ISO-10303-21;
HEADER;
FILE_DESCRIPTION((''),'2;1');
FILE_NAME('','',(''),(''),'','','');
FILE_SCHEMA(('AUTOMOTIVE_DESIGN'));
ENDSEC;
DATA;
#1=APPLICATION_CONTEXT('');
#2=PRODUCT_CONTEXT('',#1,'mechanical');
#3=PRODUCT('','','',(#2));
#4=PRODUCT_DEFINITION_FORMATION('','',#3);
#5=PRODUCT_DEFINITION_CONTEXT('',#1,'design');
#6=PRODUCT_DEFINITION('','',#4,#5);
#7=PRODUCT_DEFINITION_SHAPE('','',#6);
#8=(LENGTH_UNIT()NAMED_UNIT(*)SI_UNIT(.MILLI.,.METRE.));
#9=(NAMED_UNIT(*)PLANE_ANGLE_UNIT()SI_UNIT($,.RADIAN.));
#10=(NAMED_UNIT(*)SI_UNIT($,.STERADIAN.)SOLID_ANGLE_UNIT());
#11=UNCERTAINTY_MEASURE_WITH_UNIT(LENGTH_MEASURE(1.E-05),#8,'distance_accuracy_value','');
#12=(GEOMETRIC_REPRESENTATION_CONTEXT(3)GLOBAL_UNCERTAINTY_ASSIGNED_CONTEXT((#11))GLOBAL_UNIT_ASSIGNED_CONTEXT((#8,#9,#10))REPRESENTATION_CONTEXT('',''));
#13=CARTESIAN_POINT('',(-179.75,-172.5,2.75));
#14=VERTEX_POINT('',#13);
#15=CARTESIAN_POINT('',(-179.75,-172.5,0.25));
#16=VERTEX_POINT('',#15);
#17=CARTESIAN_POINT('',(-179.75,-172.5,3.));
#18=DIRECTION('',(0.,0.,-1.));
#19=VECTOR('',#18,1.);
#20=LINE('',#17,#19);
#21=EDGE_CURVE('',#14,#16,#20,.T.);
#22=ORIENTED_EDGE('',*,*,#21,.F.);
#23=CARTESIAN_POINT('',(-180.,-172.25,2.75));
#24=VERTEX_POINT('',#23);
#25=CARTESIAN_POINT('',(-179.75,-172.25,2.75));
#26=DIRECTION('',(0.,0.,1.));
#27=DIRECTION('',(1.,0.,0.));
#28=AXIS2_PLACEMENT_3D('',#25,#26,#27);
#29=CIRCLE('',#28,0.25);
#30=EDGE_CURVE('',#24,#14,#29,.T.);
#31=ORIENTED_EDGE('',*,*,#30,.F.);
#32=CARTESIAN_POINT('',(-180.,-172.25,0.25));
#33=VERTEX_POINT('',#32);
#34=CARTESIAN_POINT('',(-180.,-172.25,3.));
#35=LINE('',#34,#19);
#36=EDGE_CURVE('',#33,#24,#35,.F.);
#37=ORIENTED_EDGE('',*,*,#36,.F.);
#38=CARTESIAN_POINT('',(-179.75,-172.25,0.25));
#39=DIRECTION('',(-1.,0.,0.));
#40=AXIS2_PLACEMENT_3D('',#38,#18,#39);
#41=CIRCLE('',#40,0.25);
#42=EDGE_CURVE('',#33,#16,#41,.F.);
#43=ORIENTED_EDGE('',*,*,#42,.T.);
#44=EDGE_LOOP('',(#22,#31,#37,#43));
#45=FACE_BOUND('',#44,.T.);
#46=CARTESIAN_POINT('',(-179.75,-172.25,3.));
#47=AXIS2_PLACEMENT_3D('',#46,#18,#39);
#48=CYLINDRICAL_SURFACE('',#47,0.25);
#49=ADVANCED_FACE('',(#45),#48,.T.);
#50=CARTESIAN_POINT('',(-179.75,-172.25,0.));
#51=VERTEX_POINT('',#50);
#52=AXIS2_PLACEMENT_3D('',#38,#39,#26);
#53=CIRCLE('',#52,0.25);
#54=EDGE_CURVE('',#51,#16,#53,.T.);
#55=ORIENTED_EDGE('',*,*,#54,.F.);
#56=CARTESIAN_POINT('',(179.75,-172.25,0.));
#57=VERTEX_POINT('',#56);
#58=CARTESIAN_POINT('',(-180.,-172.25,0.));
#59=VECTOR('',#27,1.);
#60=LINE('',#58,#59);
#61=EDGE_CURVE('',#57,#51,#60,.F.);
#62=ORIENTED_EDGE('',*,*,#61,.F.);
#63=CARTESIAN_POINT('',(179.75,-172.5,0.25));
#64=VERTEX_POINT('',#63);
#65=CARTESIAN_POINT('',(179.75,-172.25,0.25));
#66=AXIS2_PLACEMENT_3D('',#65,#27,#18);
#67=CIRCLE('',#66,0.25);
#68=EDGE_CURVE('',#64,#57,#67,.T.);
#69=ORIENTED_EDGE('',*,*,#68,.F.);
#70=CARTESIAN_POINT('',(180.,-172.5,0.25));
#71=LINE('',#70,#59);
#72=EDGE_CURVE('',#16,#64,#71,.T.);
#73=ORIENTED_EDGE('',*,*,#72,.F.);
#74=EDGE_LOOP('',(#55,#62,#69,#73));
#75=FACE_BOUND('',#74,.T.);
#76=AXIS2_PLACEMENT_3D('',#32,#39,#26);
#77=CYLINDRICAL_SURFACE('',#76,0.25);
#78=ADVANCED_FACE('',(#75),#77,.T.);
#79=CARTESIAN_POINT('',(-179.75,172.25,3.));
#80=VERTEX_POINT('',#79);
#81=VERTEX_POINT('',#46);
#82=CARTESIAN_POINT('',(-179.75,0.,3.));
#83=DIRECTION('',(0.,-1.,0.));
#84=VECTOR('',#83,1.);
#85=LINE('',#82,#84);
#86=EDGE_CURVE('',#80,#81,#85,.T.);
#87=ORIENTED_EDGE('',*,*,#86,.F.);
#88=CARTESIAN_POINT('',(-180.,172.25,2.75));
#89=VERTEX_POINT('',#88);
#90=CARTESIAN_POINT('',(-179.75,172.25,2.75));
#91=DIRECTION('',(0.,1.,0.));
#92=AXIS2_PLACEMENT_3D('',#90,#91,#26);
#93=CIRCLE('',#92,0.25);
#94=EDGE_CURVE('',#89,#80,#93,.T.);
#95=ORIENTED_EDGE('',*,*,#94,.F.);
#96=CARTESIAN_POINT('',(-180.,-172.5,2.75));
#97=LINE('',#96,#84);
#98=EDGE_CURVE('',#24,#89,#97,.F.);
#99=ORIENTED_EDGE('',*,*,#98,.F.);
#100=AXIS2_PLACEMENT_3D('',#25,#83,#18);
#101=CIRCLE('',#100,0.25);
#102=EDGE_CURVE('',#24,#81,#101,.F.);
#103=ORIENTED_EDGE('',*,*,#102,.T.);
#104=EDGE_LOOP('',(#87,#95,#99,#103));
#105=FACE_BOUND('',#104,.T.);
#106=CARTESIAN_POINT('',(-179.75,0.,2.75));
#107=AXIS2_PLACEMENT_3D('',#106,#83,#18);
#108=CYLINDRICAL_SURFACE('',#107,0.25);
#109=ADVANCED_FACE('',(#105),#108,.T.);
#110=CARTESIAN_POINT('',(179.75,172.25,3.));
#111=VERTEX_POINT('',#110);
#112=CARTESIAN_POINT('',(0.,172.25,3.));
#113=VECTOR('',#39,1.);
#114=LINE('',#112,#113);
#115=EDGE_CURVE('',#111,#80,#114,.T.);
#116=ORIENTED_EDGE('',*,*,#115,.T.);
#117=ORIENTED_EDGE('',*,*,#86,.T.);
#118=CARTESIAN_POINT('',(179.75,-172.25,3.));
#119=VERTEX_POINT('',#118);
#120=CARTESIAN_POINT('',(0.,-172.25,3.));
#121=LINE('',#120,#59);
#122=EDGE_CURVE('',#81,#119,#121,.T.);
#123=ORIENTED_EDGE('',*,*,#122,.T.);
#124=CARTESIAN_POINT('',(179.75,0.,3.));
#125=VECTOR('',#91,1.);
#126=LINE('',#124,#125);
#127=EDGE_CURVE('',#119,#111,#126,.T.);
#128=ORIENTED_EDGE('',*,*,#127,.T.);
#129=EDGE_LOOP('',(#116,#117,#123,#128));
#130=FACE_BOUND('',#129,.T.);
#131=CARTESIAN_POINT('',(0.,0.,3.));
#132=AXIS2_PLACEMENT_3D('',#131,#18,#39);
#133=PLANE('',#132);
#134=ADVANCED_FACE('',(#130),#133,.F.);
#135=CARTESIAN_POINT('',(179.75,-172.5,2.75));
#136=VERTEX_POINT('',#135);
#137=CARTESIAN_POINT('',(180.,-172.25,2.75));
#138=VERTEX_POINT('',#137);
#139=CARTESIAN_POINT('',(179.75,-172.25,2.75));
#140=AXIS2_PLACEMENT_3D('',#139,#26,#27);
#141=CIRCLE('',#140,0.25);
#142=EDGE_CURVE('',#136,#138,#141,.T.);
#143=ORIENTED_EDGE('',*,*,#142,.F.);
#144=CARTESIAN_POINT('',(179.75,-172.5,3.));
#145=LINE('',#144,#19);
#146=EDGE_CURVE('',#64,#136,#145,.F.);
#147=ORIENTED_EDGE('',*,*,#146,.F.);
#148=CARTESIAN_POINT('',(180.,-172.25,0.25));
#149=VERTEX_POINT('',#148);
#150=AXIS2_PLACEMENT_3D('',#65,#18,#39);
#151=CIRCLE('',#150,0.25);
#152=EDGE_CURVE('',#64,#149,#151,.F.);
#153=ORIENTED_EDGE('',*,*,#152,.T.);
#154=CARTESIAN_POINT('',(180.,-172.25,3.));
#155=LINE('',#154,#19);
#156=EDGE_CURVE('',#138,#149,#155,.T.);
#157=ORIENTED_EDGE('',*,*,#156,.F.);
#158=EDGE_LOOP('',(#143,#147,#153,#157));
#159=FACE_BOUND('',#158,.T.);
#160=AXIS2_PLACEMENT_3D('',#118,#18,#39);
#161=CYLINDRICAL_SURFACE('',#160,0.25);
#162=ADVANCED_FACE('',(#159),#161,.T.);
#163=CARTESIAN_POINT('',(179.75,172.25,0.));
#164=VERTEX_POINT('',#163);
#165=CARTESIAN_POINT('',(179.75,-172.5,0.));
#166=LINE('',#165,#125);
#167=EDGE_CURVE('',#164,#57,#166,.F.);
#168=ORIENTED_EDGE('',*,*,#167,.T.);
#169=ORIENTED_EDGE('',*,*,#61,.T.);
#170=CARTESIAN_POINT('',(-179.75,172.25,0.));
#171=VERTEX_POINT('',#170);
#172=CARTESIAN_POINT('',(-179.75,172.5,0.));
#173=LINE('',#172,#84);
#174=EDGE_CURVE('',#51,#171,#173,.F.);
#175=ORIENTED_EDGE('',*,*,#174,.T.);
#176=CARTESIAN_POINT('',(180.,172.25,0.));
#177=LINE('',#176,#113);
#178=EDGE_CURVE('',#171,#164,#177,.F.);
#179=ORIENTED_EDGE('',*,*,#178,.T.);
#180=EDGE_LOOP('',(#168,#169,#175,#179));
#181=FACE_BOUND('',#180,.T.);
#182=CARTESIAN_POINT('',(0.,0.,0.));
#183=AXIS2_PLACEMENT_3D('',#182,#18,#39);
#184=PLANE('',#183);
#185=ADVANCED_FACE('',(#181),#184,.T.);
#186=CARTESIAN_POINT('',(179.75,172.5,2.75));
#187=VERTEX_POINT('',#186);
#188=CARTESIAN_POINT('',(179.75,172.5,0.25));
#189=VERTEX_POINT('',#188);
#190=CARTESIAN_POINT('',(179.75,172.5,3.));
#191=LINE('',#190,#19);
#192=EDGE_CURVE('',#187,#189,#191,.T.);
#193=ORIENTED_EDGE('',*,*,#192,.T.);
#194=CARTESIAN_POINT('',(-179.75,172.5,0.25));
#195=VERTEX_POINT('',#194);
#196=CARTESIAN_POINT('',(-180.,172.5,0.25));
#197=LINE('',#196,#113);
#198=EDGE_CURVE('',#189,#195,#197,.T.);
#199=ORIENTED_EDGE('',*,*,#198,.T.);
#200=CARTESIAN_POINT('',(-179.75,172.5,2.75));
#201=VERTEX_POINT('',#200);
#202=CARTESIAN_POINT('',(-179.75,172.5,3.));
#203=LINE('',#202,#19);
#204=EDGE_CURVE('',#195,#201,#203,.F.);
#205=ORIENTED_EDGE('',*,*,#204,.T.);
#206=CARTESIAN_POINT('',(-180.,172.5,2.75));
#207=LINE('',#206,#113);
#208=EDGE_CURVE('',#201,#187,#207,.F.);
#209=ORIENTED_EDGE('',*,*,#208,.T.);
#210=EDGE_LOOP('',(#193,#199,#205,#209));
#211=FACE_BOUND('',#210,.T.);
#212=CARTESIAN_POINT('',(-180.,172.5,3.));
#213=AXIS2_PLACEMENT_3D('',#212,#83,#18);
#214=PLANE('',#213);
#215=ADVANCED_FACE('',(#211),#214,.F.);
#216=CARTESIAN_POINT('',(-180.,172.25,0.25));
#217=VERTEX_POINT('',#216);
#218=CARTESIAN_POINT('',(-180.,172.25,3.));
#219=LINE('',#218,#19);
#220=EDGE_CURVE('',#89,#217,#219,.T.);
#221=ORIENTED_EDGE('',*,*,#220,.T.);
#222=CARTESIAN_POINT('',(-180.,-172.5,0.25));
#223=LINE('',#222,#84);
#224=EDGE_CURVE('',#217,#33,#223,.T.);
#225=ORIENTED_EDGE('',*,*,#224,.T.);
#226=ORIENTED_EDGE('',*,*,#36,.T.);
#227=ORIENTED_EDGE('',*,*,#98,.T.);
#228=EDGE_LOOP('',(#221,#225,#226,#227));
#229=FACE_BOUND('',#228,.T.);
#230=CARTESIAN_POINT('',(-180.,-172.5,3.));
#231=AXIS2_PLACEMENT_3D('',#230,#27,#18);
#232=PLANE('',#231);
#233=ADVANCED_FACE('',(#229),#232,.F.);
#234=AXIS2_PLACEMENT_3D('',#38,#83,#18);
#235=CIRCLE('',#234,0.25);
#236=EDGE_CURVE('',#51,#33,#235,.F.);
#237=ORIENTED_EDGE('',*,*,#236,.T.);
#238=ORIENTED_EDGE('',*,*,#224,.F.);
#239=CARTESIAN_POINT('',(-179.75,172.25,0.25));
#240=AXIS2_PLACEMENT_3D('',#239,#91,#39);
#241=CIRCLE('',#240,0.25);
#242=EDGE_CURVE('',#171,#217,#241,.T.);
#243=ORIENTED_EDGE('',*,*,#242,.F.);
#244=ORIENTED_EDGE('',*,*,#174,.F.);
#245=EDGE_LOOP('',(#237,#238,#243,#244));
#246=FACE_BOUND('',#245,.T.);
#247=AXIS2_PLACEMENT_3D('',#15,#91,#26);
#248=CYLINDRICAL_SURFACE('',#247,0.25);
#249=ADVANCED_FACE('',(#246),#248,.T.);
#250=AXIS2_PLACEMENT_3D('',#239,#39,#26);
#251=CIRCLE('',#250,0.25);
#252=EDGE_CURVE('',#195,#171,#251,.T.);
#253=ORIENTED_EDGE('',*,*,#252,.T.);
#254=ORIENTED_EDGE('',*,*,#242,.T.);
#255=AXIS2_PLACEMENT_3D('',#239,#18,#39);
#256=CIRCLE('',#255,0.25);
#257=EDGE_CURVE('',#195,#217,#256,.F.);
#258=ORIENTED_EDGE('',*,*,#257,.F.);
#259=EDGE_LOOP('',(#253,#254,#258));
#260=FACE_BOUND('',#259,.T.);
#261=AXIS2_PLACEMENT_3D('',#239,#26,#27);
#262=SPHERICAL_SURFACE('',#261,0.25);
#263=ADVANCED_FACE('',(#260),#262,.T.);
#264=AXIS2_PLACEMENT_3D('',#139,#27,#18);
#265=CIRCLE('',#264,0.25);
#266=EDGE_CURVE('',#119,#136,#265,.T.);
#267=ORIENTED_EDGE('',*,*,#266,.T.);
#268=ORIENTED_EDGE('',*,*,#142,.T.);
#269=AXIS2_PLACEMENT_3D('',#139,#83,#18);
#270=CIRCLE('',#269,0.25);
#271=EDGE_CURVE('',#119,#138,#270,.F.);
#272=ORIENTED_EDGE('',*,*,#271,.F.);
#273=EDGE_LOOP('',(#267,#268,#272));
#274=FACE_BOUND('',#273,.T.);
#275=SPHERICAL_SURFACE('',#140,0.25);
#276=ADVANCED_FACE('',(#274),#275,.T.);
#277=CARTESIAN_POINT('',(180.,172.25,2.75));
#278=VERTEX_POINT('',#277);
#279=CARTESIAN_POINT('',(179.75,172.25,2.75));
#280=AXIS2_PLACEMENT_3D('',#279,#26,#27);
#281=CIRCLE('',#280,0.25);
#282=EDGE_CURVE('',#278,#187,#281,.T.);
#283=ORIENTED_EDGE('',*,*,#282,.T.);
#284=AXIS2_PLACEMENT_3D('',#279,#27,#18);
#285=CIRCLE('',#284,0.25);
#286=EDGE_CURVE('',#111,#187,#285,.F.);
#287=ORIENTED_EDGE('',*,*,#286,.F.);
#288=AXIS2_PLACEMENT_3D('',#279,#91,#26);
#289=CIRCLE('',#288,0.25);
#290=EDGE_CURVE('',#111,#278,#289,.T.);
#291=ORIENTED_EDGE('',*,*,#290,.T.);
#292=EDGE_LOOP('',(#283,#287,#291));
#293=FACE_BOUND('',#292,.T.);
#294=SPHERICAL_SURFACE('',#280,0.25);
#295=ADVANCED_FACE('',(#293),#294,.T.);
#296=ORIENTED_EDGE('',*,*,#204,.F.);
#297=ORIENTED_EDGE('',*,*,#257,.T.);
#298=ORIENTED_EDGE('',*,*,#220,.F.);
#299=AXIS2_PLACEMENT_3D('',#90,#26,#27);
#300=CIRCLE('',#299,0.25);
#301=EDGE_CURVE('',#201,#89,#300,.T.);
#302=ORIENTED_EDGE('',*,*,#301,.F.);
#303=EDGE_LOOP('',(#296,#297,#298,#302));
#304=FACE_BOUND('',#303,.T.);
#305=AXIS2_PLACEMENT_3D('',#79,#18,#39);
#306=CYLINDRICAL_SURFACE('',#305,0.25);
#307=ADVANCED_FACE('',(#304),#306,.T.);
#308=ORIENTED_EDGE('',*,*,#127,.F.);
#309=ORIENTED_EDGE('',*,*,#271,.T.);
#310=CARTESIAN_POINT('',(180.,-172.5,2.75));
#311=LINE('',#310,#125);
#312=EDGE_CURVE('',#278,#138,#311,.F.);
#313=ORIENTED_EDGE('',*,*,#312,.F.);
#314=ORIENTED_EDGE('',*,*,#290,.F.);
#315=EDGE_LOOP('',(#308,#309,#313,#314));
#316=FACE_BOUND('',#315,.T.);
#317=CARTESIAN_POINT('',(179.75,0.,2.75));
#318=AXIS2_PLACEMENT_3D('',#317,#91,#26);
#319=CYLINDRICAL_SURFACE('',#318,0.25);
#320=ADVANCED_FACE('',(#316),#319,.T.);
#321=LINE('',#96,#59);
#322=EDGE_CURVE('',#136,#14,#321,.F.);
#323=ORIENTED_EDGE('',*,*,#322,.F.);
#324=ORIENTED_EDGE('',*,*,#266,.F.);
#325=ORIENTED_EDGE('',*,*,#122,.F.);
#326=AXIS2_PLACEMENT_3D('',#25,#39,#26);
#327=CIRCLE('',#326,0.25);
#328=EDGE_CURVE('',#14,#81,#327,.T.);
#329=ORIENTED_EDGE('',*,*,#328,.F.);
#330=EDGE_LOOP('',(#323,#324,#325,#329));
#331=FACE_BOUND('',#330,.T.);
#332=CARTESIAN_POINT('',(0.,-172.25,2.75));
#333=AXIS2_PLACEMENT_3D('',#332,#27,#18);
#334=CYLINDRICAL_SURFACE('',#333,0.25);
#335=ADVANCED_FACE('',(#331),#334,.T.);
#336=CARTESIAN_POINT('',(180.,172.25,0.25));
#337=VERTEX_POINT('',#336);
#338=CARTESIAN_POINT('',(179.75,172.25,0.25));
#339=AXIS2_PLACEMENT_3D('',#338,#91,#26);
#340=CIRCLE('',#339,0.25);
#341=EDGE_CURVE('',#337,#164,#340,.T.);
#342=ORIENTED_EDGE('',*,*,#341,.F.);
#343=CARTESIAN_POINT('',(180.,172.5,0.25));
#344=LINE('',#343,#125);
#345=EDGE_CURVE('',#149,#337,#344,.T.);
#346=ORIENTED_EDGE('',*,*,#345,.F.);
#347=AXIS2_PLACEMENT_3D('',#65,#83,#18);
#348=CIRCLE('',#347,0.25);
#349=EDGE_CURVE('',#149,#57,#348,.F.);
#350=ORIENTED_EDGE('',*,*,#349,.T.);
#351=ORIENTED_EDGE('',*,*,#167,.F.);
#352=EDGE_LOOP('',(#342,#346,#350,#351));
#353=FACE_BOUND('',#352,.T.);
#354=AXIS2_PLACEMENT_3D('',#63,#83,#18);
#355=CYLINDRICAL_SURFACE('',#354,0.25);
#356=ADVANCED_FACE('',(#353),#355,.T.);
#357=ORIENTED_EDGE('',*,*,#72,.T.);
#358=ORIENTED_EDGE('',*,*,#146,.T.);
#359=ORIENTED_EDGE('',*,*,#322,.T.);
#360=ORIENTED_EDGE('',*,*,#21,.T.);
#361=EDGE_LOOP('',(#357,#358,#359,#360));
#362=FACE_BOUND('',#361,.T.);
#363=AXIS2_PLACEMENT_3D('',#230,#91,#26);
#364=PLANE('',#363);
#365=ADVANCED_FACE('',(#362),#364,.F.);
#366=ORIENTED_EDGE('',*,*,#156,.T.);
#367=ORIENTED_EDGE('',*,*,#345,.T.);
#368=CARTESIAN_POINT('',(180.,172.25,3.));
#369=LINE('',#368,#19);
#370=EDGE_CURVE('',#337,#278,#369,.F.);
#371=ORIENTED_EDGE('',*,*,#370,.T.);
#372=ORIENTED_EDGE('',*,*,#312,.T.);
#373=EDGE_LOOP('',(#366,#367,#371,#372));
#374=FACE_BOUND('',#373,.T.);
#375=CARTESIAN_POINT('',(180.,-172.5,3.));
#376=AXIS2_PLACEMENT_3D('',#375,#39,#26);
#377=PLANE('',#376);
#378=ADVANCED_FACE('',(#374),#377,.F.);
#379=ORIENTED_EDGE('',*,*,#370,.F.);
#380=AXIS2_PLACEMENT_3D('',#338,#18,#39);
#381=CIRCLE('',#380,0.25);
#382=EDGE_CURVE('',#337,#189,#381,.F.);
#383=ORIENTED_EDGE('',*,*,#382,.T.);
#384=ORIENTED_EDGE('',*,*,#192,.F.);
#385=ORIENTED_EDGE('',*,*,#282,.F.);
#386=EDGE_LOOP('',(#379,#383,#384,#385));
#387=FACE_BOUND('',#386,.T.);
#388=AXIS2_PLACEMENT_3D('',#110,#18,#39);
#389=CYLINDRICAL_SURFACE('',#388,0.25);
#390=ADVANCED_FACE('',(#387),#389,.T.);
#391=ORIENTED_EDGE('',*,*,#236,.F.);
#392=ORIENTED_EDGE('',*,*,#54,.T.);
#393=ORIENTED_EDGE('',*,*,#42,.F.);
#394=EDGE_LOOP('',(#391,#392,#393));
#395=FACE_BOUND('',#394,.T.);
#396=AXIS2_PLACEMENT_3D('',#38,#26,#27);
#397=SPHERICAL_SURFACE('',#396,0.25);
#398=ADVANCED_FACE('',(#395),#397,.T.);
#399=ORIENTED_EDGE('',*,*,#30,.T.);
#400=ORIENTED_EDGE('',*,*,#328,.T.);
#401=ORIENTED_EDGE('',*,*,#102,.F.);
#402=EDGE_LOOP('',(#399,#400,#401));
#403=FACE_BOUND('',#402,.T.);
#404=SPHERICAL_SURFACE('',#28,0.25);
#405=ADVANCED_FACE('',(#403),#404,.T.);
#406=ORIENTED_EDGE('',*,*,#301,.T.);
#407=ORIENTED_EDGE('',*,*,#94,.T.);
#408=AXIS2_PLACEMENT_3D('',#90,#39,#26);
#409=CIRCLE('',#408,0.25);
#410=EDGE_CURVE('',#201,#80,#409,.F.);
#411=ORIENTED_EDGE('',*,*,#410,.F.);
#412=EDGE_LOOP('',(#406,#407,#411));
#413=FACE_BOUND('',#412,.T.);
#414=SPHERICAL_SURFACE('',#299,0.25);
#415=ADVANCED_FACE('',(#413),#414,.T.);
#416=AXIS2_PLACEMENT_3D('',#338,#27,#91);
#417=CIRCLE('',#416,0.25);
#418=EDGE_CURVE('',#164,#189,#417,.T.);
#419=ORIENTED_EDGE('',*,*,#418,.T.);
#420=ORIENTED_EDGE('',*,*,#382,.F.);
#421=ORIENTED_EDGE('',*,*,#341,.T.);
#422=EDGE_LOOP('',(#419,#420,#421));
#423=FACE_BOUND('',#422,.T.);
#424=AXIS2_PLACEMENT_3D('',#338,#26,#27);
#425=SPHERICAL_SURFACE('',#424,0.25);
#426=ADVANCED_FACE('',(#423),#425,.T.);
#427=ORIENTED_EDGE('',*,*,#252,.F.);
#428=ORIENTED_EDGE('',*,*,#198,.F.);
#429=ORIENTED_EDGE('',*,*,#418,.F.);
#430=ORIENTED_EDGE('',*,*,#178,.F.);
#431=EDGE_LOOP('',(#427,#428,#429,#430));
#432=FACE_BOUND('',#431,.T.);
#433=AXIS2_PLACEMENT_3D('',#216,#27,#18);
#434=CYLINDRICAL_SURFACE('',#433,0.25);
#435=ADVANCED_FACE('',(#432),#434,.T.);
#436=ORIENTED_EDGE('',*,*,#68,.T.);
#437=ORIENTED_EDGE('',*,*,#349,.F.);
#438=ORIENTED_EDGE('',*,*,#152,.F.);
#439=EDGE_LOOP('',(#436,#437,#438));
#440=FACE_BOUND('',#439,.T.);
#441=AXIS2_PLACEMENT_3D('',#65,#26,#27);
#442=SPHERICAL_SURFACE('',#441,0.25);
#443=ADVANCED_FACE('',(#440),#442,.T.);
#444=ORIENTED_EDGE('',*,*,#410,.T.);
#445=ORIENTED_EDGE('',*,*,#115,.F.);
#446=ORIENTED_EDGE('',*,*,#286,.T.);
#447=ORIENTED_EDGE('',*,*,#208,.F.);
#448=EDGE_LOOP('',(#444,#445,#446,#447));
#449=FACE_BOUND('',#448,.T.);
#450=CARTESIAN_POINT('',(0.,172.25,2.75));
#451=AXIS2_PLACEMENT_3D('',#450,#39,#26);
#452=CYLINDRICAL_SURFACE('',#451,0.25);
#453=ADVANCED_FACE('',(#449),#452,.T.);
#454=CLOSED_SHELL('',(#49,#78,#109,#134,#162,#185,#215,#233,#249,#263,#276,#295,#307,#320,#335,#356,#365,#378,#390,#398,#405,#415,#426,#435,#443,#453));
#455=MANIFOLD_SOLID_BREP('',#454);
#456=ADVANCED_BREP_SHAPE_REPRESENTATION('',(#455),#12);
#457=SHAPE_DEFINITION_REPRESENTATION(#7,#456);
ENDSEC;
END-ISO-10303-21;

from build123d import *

# Parameters (mm, degrees)
SKETCH1_W           = 360
SKETCH1_H           = 345
BOSS_EXTRUDE1_DEPTH = 3
FILLET1_R           = 0.25


with BuildPart() as part:
    # Sketch1 → Boss-Extrude1 (new body)
    with BuildSketch(Plane.XY):
        Rectangle(SKETCH1_W, SKETCH1_H)
    extrude(amount=BOSS_EXTRUDE1_DEPTH)

    # Fillet1
    fillet1_edges = [part.edges().sort_by_distance(p)[0] for p in [
        (-180, 0, 3),
        (0, -172.5, 3),
        (180, 0, 3),
        (0, -172.5, 0),
        (-180, 0, 0),
        (0, 172.5, 0),
        (180, 0, 0),
        (0, 172.5, 3),
        (180, -172.5, 1.5),
        (-180, -172.5, 1.5),
        (-180, 172.5, 1.5),
        (180, 172.5, 1.5),
    ]]
    fillet(fillet1_edges, radius=FILLET1_R)


solid = part.part
